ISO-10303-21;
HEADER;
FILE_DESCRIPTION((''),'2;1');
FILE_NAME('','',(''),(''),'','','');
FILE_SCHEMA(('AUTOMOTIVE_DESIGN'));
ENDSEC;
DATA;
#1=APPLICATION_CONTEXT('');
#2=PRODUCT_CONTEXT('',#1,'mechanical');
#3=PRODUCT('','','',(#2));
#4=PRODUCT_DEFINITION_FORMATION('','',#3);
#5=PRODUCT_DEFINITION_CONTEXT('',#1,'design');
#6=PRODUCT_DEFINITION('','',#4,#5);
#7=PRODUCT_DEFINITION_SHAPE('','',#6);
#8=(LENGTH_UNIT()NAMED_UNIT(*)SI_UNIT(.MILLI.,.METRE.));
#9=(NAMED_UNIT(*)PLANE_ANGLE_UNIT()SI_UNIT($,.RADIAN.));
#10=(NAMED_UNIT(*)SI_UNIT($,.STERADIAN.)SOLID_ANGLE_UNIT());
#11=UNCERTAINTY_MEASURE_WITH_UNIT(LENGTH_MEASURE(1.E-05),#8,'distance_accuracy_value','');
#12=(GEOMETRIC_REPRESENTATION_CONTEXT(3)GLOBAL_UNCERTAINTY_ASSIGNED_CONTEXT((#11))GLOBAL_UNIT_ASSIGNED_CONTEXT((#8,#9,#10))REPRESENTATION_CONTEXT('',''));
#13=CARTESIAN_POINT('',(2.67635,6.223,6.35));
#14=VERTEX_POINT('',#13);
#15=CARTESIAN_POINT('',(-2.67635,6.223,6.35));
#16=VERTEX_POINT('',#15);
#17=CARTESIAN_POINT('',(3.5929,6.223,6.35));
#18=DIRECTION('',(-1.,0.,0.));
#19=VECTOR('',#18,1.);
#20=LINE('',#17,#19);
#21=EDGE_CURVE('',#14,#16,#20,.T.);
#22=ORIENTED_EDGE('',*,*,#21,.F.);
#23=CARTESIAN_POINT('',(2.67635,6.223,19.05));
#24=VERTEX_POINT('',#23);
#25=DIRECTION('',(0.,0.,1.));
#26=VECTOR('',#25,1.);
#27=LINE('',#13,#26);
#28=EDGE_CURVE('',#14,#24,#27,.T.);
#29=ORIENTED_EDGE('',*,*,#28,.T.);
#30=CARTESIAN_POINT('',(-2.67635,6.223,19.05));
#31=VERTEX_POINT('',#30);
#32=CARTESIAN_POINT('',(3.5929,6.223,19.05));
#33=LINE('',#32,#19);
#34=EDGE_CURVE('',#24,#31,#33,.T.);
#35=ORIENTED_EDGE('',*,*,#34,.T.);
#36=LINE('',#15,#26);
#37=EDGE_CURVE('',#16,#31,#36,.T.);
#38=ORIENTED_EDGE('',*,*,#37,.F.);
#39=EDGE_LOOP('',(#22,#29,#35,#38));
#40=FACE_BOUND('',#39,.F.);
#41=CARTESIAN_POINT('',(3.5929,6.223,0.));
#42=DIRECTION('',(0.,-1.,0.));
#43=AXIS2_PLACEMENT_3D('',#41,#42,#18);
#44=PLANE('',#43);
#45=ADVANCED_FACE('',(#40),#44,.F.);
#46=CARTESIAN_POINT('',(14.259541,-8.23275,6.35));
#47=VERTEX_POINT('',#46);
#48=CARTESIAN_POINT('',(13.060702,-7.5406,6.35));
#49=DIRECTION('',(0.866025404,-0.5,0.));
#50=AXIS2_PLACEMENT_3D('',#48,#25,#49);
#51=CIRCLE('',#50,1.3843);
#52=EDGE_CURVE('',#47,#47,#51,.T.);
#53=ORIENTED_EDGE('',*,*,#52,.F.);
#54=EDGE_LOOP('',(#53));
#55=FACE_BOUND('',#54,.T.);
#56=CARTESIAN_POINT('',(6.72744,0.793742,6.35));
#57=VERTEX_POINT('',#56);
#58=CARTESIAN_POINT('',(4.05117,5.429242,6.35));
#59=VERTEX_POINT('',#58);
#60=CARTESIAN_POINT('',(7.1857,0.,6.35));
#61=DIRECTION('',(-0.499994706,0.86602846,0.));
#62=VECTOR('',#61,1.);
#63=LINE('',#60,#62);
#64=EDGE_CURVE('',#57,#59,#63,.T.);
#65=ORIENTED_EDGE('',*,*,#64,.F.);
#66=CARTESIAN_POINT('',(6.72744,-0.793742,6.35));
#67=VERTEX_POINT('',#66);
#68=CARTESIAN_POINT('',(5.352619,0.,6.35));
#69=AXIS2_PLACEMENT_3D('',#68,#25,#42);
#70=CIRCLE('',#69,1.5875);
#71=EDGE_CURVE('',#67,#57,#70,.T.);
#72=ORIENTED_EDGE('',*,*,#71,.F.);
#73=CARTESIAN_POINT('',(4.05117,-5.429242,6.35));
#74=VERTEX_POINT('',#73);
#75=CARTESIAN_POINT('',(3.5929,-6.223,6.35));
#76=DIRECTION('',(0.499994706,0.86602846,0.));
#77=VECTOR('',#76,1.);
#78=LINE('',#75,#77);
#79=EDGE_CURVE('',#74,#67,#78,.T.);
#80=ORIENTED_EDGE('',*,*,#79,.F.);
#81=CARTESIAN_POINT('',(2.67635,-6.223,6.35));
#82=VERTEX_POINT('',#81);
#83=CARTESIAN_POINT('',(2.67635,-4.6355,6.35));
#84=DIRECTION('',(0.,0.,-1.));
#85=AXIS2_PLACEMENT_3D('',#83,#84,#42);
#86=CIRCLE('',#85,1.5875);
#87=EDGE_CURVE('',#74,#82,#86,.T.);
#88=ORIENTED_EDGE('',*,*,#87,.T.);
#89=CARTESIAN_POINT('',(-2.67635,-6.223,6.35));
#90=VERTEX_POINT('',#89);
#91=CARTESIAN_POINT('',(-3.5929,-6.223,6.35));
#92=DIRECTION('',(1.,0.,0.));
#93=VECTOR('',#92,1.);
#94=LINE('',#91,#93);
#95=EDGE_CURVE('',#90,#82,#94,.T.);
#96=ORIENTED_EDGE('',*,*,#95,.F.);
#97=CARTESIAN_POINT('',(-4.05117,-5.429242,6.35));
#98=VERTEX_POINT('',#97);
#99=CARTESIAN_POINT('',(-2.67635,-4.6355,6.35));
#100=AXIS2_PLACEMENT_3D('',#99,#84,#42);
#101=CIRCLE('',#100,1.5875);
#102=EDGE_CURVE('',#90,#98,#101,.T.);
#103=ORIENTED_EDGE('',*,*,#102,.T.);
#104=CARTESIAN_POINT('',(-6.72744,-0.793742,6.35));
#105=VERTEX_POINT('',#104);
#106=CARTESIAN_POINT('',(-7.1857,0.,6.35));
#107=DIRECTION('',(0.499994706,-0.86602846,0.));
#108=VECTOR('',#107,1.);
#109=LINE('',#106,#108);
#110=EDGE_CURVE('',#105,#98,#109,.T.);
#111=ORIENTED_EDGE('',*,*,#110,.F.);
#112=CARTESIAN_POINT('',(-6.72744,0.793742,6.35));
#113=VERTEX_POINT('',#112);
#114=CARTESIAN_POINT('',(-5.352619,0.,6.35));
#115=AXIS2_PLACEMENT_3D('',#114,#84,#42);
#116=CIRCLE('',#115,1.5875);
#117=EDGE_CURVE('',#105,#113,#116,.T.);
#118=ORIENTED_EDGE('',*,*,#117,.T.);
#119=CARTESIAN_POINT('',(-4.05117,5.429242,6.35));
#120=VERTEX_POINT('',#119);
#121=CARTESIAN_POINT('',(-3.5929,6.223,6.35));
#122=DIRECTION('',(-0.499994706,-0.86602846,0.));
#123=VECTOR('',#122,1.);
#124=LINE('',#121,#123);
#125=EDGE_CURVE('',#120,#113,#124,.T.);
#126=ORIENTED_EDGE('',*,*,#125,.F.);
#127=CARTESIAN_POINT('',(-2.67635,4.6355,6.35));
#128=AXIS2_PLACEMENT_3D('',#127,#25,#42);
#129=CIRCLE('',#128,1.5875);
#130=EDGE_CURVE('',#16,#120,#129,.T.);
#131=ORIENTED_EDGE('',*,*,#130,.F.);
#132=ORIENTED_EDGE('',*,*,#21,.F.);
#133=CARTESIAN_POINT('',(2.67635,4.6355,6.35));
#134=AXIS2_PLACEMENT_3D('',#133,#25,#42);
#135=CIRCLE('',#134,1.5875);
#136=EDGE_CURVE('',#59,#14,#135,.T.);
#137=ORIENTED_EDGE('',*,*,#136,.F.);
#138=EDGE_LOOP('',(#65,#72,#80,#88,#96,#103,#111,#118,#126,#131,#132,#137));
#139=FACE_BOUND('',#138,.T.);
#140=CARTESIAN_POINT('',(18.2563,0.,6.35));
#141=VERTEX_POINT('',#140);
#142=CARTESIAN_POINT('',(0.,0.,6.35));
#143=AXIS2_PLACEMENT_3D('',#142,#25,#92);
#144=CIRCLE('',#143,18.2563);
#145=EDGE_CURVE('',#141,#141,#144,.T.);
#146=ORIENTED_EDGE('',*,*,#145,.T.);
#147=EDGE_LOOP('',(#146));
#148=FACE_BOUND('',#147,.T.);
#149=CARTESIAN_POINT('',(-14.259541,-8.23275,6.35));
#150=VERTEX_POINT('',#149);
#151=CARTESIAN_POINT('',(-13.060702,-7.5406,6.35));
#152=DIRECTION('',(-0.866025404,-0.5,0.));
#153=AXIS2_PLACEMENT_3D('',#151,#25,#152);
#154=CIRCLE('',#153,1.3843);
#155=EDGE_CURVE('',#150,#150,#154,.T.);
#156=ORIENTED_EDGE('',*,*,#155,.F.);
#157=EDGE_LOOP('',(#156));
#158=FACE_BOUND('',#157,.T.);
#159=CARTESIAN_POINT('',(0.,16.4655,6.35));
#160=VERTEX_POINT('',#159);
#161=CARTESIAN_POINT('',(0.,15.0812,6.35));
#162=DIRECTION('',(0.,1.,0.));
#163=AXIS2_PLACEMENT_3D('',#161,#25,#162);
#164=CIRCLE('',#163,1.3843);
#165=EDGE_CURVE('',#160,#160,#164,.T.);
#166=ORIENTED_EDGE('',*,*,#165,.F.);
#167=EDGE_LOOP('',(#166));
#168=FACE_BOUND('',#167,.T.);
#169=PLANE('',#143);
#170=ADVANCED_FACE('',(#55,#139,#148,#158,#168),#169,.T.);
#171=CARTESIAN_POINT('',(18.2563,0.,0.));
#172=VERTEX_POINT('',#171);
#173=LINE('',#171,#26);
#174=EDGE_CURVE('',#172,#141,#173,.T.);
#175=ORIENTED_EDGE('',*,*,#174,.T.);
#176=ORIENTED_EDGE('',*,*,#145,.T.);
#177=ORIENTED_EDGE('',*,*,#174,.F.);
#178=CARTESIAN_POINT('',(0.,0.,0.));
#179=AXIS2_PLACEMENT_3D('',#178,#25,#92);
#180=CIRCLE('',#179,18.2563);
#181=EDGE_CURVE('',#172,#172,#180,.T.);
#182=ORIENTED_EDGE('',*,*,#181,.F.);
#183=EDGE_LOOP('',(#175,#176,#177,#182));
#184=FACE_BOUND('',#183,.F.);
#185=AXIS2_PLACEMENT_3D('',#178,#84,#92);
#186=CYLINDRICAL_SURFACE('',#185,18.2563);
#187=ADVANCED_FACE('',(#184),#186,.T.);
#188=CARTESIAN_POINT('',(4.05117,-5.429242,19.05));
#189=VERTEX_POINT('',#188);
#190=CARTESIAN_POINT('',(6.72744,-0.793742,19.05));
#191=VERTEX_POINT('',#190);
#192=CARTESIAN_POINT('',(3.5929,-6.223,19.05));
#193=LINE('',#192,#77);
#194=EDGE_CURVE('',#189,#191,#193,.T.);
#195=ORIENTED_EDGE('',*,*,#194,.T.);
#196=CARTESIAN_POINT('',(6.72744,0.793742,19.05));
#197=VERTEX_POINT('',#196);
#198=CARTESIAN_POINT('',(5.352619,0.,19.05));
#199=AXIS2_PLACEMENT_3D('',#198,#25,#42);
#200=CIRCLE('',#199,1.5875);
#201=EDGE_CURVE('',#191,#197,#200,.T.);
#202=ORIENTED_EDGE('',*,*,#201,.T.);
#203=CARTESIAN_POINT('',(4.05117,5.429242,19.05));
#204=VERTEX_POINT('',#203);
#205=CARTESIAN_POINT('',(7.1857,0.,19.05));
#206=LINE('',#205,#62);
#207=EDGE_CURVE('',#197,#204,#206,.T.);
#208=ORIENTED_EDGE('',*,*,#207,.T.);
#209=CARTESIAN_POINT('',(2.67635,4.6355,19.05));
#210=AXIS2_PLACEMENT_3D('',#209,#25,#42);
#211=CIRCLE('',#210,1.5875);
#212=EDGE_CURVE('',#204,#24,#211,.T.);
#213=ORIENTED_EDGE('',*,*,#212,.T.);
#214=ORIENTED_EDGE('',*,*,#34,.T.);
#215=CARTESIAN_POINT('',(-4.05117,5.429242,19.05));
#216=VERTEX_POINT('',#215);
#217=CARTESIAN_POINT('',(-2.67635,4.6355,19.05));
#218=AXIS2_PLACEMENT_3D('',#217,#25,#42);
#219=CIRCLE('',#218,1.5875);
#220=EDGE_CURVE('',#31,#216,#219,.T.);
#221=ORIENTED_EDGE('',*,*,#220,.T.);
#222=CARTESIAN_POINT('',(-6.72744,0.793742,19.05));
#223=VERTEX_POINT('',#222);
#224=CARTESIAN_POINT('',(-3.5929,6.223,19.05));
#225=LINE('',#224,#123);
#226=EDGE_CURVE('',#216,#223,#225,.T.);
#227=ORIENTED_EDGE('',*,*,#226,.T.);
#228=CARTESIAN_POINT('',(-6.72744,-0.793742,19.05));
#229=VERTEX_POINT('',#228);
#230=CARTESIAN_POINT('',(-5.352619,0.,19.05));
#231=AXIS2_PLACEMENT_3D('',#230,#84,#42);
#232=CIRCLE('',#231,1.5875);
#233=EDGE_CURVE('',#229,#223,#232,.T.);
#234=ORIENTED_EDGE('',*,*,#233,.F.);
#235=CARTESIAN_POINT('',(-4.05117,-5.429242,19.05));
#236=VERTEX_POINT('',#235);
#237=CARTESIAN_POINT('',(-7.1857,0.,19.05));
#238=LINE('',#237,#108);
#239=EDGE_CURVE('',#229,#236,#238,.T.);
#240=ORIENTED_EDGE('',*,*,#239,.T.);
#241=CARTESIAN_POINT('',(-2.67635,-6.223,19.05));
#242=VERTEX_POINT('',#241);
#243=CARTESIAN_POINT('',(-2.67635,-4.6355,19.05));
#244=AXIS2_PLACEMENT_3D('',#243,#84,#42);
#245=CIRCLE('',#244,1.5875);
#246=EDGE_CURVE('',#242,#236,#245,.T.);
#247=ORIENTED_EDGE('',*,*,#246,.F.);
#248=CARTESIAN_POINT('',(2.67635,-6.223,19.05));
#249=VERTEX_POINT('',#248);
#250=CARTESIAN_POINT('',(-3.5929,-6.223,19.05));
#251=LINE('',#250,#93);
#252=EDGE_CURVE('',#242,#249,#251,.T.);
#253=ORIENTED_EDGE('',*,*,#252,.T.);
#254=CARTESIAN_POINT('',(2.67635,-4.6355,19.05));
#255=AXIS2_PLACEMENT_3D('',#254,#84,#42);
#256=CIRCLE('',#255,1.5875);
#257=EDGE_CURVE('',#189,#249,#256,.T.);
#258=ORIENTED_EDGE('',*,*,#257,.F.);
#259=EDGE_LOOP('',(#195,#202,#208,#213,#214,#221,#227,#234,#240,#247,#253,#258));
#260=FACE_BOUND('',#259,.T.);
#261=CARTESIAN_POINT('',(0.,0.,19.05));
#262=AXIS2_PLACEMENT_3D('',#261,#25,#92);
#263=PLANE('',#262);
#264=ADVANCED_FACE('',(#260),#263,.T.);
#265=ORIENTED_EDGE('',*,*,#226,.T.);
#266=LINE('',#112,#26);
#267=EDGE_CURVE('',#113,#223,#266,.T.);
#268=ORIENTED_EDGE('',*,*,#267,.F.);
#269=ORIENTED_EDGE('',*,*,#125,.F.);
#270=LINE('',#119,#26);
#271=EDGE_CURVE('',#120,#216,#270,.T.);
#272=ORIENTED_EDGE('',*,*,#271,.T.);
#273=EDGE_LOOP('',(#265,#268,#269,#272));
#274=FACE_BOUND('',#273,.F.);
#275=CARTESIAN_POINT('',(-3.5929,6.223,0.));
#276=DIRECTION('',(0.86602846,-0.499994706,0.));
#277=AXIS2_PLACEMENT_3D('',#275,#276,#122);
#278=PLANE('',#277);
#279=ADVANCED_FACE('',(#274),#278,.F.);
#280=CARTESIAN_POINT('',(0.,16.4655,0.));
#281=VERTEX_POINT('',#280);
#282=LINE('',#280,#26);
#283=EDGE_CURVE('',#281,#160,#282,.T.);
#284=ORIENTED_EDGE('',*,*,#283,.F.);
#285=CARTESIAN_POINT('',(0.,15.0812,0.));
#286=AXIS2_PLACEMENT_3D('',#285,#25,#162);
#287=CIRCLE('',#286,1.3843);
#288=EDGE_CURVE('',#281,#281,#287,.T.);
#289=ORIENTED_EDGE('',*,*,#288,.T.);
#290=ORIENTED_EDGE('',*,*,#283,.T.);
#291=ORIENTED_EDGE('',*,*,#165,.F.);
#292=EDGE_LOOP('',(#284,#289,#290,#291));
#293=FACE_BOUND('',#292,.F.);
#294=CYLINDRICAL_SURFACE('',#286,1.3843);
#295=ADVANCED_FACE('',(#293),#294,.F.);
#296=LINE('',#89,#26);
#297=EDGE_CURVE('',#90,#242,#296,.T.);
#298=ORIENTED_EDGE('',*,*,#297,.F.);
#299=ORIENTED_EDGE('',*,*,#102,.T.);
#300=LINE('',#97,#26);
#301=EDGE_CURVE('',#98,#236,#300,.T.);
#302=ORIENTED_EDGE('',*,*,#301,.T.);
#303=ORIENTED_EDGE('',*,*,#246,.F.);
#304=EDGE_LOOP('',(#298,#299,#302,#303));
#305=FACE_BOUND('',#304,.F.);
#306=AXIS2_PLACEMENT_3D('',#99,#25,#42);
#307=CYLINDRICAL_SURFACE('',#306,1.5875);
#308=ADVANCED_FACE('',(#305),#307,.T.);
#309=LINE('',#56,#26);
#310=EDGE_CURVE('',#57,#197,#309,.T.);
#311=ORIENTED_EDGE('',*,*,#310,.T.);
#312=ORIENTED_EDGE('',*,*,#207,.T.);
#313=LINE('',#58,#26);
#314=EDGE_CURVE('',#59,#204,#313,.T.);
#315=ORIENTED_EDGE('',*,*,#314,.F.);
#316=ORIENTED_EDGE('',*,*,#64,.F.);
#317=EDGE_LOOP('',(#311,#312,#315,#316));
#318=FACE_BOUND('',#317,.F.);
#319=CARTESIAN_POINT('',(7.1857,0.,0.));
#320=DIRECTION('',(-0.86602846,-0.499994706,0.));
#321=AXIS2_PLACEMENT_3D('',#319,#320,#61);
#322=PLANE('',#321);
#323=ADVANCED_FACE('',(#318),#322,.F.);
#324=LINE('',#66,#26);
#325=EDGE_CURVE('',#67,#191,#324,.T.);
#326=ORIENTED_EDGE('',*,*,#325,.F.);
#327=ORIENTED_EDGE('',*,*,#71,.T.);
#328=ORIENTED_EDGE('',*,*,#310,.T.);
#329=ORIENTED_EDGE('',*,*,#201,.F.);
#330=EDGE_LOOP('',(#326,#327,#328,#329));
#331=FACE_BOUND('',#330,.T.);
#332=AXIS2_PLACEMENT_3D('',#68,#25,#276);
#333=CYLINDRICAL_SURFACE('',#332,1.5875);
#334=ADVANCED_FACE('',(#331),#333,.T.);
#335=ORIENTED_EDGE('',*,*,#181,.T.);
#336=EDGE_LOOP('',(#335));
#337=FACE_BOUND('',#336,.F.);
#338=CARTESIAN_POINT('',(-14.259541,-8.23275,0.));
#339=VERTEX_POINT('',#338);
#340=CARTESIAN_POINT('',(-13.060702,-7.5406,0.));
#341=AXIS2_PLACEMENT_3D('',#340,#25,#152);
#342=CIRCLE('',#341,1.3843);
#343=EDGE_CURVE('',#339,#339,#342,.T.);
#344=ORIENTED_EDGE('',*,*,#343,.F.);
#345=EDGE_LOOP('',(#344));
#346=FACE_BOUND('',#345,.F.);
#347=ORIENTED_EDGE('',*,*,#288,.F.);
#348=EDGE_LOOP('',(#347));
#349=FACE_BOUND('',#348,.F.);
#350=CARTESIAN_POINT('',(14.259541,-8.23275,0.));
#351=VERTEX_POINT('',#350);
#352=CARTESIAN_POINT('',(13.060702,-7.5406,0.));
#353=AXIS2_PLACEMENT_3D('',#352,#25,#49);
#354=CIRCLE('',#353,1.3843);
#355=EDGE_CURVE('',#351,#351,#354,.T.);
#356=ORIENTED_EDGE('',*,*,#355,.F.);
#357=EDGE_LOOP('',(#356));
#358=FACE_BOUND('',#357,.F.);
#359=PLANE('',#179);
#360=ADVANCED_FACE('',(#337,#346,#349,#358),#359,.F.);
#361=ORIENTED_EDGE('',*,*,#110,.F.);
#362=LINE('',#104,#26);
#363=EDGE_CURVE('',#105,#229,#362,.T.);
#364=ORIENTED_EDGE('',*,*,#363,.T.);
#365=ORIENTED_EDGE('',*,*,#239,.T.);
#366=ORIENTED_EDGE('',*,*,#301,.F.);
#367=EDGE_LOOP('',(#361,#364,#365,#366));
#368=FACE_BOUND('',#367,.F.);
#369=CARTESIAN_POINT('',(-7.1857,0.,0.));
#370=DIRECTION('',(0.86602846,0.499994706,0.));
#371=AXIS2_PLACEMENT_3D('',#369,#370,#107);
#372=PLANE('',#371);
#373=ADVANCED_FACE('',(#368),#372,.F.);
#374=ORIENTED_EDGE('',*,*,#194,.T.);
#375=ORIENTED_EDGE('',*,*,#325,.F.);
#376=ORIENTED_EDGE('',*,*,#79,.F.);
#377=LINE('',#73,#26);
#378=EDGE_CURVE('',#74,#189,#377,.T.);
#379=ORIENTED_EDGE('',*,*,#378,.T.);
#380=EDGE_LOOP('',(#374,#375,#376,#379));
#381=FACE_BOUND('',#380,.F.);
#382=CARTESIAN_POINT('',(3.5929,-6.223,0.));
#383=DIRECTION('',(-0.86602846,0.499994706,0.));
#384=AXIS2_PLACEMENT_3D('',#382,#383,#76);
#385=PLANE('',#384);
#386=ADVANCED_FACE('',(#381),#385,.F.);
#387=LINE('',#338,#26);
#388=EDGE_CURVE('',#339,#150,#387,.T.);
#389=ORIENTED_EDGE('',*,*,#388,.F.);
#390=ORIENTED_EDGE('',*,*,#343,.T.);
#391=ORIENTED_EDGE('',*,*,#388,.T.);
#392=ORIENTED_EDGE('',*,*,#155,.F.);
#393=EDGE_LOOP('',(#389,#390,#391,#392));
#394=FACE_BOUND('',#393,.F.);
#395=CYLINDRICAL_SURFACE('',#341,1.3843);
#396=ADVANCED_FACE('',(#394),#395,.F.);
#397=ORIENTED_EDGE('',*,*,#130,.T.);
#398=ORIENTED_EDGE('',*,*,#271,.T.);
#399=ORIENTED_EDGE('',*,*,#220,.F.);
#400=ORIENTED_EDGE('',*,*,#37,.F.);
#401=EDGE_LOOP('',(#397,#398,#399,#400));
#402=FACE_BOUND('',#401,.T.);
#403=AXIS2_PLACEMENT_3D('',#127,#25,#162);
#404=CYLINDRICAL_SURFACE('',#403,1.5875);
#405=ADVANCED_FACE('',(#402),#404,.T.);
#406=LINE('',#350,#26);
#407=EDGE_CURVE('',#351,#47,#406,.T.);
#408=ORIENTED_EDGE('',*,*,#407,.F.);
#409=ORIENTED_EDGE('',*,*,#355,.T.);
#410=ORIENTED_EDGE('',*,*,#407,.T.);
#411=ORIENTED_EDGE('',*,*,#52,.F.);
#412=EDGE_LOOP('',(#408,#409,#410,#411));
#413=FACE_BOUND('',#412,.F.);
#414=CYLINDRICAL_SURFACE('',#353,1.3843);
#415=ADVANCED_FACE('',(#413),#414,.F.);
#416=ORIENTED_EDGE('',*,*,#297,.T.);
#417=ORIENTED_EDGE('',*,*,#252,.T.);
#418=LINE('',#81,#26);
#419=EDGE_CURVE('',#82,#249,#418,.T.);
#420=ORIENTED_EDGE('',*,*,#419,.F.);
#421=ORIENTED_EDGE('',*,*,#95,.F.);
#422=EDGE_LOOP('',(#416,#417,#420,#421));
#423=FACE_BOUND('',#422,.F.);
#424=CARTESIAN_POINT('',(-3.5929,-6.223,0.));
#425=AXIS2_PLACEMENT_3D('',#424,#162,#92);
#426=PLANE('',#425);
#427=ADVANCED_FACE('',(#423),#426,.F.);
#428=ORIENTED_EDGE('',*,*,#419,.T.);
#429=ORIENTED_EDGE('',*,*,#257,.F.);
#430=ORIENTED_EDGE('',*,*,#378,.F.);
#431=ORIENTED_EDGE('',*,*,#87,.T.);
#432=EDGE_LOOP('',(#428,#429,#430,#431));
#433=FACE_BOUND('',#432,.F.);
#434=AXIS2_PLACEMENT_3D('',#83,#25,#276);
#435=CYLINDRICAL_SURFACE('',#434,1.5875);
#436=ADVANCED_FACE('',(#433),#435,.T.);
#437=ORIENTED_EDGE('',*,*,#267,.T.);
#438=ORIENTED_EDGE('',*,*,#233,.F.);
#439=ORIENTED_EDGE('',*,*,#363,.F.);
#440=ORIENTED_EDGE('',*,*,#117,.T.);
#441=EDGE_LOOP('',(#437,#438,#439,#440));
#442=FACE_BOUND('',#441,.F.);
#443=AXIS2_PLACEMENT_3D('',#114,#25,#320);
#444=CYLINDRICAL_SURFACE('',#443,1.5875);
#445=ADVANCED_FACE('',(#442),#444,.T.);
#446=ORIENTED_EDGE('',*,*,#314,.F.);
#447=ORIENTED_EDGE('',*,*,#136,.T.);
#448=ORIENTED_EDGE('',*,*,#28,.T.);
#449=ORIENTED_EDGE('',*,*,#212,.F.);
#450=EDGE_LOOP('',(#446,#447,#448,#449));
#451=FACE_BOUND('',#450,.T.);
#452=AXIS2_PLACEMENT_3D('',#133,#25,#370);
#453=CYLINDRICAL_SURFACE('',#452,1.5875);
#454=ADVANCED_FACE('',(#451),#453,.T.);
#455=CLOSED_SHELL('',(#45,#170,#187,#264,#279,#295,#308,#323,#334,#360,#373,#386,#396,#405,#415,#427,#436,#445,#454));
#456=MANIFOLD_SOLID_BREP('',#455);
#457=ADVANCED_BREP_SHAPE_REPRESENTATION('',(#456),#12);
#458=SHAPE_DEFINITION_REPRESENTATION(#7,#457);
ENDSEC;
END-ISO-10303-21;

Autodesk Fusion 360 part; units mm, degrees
sketch "Sketch1" plane through (0, 0, 0) normal (0, 0, 1) x (1, 0, 0)
  circle A0 centre (0, 0) radius 18.2563
  circle A1 centre (0, 0) radius 15.0812 construction
  line L0 (0, 0) -> (0, 18.2563) construction
  line L1 (3.5929, -6.223) -> (7.1857, 0)
  line L2 (7.1857, 0) -> (3.5929, 6.223)
  line L3 (3.5929, 6.223) -> (-3.5929, 6.223)
  line L4 (-3.5929, 6.223) -> (-7.1857, 0)
  line L5 (-7.1857, 0) -> (-3.5929, -6.223)
  line L6 (-3.5929, -6.223) -> (3.5929, -6.223)
  point P0 (0, 15.0812)
  dimension "d1" = 36.5125
  dimension "d2" = 30.1625
  dimension "d3" = 6.223
extrude "Extrude1" add sketch "Sketch1" along normal blind 6.35
extrude "Extrude2" add sketch "Sketch1" along normal blind 19.05 contours L1 L2 L3 L4 L5 L6
hole "Hole1" at (0, 15.0812, 0) direction (0, 0, 1) diameter 2.7686 depth 6.35 tip angle 118
pattern_circular "C-Pattern1" count 3 over 360 about axis through (0, 0, 0) along (0, 0, 1) of "Hole1"
fillet "Fillet1" radius 1.5875 6 edges at (3.5929, -6.223, 12.7) (-3.5929, -6.223, 12.7) (-7.1857, 0, 12.7) (-3.5929, 6.223, 12.7) (3.5929, 6.223, 12.7) (7.1857, 0, 12.7)
equation "d6 = d4 + shankLength"
equation "d14 = ( 1 / 16 ) * 1 in"
equation "shankLength = 0.5 in"
